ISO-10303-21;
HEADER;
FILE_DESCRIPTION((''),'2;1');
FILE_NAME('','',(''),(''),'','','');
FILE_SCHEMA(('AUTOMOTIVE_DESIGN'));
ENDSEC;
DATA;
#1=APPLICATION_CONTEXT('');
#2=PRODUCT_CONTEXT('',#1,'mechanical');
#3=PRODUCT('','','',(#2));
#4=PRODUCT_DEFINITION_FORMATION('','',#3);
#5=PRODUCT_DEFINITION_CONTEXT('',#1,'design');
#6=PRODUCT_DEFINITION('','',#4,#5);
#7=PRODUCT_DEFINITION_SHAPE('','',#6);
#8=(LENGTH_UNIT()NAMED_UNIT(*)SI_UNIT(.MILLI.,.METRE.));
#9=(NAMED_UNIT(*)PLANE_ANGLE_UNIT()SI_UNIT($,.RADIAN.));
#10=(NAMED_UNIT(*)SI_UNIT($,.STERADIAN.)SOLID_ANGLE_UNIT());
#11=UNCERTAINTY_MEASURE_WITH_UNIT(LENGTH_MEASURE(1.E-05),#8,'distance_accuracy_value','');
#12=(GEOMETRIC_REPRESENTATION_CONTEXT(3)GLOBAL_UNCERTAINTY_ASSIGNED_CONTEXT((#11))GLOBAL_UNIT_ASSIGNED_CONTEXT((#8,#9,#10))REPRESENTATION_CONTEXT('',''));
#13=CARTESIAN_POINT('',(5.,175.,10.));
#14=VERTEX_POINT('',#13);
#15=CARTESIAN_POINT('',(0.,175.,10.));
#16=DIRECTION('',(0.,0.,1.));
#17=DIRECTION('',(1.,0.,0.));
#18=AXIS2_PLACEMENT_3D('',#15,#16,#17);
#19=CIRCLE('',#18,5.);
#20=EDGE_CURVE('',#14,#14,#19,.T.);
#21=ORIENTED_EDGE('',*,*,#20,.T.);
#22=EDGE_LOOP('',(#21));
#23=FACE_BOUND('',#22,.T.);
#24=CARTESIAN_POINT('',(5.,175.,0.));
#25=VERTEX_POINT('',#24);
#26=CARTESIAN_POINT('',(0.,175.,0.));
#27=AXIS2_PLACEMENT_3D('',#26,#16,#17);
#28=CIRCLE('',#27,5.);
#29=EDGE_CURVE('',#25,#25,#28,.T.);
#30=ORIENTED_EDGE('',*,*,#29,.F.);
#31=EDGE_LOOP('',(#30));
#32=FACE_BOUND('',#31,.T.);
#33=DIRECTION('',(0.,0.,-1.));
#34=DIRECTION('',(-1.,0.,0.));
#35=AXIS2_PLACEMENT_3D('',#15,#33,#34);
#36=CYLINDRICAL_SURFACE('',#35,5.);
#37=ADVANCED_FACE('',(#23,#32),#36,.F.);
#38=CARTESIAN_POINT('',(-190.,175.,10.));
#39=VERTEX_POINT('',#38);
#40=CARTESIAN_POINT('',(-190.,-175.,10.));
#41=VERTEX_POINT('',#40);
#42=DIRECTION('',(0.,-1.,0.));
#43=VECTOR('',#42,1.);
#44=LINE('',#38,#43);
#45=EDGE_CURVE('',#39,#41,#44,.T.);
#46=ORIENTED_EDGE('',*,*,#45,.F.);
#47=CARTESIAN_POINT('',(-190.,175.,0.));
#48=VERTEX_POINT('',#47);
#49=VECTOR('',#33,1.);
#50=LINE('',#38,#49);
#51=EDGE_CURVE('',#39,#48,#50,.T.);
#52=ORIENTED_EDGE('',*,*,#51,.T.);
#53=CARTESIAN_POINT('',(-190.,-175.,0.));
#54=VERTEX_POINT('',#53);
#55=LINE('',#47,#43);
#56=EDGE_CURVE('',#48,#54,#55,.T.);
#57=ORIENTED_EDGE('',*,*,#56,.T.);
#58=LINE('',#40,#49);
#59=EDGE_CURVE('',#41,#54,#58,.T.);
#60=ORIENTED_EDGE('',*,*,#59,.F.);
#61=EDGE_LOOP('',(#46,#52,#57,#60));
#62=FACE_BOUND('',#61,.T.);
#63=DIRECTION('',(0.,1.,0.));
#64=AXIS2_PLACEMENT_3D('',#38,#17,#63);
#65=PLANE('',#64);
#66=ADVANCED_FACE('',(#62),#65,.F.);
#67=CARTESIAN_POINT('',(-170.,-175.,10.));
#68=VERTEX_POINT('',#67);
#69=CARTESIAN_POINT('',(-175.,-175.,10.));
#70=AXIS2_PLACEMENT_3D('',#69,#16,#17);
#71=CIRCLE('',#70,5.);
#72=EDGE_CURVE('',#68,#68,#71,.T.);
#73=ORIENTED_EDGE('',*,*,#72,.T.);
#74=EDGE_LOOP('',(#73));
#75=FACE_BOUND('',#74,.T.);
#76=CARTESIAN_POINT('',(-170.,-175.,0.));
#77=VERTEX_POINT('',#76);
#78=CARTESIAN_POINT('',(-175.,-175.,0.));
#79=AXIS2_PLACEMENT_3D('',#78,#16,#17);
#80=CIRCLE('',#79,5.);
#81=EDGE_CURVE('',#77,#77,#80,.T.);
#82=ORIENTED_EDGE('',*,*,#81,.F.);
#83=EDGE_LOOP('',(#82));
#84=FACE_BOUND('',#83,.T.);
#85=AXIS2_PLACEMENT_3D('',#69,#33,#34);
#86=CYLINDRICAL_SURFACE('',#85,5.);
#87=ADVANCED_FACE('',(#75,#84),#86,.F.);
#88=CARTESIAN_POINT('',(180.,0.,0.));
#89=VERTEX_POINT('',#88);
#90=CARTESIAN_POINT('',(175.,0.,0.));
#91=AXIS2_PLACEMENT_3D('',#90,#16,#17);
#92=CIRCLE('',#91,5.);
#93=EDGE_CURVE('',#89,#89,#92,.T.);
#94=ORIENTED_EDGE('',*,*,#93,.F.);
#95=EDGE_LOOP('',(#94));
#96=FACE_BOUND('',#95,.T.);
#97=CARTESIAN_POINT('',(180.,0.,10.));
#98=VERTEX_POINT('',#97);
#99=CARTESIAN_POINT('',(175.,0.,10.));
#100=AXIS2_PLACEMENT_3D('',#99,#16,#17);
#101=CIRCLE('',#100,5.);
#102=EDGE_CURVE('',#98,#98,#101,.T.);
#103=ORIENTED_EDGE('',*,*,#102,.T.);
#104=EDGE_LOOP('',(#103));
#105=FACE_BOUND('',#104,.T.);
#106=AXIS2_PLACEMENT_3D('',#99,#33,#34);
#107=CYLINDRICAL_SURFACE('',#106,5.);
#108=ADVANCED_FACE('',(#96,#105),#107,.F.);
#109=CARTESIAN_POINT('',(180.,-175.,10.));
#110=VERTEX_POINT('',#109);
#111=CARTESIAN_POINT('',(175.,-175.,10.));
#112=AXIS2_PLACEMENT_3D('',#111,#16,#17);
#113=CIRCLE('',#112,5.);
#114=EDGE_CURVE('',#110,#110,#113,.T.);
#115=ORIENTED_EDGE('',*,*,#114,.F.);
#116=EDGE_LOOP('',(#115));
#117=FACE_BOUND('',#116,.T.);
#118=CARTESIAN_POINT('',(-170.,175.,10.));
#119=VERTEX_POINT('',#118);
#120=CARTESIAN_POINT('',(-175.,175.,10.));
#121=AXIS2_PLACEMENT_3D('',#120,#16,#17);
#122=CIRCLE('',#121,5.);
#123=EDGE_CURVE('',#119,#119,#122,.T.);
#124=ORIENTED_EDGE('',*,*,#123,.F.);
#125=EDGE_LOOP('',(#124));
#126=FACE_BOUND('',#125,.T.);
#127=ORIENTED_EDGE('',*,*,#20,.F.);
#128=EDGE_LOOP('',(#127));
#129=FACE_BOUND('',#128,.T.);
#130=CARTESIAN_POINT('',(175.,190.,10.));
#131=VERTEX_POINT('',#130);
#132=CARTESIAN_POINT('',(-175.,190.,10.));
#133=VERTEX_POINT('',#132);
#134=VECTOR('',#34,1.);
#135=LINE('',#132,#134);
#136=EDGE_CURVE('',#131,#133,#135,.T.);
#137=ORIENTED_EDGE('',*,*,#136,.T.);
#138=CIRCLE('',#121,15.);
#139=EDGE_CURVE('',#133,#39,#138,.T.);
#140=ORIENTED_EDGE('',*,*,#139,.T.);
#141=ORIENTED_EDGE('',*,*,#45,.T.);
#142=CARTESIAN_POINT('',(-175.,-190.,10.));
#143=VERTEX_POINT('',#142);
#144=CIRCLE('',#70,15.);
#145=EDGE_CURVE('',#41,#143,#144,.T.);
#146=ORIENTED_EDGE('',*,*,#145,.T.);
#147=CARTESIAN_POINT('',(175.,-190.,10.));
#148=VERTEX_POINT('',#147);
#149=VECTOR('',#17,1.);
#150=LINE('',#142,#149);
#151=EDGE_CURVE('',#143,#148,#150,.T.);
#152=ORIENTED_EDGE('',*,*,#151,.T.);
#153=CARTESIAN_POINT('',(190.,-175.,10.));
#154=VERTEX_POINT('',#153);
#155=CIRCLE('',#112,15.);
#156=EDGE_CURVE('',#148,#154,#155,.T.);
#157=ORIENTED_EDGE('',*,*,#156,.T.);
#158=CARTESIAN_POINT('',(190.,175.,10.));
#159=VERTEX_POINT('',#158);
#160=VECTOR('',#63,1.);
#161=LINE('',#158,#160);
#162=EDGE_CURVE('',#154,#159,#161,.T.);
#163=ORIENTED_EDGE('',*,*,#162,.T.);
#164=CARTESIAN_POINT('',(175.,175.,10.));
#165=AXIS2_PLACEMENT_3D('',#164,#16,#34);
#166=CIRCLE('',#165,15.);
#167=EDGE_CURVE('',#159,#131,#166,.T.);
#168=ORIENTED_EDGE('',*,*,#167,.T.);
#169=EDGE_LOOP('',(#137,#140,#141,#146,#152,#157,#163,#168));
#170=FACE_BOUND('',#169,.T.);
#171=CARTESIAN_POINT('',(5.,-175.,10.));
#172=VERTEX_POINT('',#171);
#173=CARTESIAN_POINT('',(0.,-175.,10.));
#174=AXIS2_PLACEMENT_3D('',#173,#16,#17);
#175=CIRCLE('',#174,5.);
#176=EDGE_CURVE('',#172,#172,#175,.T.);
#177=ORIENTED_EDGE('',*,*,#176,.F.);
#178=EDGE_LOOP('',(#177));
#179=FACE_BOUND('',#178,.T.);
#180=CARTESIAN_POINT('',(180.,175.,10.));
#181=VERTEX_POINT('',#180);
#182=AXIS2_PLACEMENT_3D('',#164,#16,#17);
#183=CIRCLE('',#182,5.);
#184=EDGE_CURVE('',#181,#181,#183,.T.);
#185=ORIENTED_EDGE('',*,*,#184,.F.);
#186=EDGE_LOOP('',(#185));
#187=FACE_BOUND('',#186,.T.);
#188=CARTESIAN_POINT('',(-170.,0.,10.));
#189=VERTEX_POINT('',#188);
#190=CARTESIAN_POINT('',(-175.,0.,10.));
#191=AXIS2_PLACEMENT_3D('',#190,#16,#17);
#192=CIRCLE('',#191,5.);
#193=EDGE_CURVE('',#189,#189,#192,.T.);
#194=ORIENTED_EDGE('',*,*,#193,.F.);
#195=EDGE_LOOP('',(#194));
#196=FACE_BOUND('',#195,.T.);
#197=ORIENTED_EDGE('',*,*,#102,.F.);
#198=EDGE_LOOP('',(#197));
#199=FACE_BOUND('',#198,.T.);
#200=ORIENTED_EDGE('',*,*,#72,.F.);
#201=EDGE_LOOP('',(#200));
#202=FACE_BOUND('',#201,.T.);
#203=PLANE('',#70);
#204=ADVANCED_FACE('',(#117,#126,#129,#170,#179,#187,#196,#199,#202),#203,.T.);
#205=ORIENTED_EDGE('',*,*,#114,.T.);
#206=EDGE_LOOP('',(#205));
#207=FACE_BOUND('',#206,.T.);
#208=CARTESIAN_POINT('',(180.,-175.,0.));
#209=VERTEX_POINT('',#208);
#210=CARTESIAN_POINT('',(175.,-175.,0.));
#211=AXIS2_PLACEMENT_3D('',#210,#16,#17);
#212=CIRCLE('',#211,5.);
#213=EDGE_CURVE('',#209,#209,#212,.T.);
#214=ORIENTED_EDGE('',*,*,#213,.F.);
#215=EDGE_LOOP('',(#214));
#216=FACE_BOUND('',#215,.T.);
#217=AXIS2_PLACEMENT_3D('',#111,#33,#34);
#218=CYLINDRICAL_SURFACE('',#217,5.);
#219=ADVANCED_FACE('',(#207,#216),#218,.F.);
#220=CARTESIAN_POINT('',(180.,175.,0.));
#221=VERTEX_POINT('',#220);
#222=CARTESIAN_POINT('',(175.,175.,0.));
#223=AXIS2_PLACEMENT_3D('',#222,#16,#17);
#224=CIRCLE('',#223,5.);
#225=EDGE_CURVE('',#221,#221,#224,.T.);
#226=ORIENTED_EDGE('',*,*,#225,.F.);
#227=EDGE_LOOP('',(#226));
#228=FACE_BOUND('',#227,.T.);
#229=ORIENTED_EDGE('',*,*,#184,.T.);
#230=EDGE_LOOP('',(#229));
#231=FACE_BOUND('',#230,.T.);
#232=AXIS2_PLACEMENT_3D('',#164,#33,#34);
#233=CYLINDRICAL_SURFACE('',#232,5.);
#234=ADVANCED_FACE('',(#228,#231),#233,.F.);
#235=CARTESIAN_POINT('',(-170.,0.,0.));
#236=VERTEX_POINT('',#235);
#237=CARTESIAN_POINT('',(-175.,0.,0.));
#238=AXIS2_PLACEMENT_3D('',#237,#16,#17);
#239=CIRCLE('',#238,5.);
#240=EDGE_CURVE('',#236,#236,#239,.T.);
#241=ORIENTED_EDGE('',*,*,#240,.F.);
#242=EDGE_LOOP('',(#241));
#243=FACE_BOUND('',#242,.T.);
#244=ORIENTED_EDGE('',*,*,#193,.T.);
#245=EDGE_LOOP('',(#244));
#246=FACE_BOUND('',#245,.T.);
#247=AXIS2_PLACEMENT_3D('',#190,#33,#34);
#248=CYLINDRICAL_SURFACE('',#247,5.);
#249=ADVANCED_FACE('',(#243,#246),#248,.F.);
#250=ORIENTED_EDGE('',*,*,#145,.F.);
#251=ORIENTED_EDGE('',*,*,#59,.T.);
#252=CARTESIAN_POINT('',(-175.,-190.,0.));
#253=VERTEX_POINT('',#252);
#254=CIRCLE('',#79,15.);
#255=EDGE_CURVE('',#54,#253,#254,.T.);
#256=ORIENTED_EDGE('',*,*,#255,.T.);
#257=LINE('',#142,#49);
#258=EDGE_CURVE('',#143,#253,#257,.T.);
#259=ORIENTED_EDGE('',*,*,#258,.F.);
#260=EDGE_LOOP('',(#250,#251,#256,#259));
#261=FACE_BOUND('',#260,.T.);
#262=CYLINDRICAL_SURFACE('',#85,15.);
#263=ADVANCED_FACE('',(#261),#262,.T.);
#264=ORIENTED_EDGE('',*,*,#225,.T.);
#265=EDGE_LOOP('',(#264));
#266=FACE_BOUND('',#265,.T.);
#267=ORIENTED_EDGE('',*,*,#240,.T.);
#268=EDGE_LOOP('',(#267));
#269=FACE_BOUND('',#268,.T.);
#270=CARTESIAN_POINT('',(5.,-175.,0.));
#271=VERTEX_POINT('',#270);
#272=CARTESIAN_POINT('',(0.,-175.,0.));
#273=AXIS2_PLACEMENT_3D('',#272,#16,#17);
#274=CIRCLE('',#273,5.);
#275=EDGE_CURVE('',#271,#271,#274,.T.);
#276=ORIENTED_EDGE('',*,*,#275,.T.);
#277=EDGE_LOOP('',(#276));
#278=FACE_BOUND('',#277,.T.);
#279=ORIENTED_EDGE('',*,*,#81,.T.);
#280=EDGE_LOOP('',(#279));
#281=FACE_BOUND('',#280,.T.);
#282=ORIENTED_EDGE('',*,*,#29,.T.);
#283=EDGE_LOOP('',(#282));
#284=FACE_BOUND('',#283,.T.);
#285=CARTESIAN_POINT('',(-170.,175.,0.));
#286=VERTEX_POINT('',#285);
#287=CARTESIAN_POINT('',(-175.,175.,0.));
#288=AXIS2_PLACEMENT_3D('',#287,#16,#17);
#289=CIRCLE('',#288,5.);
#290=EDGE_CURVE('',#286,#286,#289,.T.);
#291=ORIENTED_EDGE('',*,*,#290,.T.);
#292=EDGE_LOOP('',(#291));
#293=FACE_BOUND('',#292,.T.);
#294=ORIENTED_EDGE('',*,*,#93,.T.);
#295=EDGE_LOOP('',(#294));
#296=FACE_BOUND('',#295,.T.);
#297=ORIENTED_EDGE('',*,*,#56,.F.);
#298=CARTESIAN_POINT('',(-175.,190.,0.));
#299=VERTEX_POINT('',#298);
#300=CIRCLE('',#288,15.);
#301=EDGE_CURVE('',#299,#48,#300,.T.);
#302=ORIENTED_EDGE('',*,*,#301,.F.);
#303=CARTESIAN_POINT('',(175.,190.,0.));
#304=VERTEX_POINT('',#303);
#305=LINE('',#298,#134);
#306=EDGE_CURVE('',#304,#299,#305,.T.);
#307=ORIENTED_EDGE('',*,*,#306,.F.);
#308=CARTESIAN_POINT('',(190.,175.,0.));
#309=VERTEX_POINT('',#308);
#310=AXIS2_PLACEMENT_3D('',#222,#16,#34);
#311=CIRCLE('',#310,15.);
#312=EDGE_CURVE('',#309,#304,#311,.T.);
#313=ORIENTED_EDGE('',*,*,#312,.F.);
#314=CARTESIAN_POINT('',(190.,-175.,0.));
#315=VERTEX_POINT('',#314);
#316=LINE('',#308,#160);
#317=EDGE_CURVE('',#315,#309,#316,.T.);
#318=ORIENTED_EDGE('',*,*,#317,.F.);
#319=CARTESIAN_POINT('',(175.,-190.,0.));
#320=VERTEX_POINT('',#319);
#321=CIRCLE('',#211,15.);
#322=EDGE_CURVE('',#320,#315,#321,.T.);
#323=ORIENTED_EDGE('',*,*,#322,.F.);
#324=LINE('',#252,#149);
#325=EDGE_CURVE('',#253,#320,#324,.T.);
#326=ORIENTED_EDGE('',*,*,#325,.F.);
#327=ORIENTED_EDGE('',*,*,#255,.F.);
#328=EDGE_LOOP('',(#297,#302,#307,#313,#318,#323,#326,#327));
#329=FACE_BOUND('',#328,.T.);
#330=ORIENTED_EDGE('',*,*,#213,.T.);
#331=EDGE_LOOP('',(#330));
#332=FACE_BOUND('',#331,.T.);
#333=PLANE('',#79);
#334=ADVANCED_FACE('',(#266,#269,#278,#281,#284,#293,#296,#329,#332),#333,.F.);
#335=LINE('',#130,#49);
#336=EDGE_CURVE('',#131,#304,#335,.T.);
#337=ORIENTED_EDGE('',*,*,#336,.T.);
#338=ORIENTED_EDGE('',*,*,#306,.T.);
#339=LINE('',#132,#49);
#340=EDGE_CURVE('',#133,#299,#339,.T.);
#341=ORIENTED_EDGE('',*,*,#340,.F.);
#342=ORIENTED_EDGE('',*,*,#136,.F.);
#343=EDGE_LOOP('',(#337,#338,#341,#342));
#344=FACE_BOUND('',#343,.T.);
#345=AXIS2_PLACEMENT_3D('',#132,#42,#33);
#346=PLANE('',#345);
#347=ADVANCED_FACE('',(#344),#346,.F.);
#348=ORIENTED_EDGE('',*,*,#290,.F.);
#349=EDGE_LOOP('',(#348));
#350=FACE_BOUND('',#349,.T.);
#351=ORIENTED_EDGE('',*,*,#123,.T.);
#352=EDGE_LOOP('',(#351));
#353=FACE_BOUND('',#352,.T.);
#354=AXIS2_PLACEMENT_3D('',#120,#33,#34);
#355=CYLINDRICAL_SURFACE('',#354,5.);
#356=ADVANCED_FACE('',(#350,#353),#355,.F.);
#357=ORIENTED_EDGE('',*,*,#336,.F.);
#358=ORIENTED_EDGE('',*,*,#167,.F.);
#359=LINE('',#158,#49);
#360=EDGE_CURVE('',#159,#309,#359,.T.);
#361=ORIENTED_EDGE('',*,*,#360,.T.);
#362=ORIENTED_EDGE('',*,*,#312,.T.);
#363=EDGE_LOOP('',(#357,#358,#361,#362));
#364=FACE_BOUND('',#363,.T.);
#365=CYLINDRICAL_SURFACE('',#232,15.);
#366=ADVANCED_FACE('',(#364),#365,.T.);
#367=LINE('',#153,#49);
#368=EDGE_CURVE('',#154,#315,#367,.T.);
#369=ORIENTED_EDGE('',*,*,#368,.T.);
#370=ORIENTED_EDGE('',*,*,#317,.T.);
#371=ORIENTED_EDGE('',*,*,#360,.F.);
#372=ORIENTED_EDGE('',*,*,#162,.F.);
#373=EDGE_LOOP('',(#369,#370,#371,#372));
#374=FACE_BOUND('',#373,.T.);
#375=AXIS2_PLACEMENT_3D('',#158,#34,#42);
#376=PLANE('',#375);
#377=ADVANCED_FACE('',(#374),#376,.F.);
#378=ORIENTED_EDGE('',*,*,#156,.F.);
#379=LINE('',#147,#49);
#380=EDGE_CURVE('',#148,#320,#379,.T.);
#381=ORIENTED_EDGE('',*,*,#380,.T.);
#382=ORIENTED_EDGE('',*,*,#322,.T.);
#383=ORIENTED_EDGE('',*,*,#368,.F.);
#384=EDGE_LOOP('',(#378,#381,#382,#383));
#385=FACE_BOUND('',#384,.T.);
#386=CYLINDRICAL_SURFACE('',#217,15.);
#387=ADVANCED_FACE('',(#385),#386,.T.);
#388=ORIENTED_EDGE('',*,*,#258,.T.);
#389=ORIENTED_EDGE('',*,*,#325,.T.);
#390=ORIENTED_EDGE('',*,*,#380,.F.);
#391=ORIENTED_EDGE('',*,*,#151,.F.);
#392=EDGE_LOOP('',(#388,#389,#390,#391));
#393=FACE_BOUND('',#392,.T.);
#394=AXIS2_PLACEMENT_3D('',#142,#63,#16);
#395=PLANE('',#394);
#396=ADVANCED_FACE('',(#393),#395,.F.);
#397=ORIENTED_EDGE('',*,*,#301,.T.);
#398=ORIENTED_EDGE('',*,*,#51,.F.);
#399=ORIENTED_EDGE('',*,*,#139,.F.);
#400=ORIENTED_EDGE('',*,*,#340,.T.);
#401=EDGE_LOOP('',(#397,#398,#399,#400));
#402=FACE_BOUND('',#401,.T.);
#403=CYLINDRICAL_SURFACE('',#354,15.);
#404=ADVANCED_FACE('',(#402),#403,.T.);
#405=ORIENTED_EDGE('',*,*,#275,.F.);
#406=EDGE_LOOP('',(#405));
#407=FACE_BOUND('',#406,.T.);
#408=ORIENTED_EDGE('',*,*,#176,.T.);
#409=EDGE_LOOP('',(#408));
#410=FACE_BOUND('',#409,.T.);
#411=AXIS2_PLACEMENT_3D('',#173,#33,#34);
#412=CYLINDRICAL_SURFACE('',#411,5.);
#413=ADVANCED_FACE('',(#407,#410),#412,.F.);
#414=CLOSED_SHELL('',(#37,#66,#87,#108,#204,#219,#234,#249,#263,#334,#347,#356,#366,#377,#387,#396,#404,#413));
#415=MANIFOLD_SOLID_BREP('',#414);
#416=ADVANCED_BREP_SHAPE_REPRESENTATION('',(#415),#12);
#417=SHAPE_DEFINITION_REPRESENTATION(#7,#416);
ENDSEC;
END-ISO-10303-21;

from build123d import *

# Parameters (mm, degrees)
SKETCH2_R           = 5
BOSS_EXTRUDE1_DEPTH = 10


with BuildPart() as part:
    # Sketch2 → Boss-Extrude1 (new body)
    with BuildSketch(Plane.XY):
        with BuildLine():
            Line((-175, 190), (175, 190))
            ThreePointArc((175, 190), (185.606601718, 185.606601718), (190, 175))
            Line((190, 175), (190, -175))
            ThreePointArc((190, -175), (185.606601718, -185.606601718), (175, -190))
            Line((175, -190), (-175, -190))
            ThreePointArc((-175, -190), (-185.606601718, -185.606601718), (-190, -175))
            Line((-190, -175), (-190, 175))
            ThreePointArc((-190, 175), (-185.606601718, 185.606601718), (-175, 190))
        make_face()
        with Locations((-175, 175)):
            Circle(SKETCH2_R, mode=Mode.SUBTRACT)
        with Locations((0, 175)):
            Circle(SKETCH2_R, mode=Mode.SUBTRACT)
        with Locations((175, 175)):
            Circle(SKETCH2_R, mode=Mode.SUBTRACT)
        with Locations((175, 0)):
            Circle(SKETCH2_R, mode=Mode.SUBTRACT)
        with Locations((-175, 0)):
            Circle(SKETCH2_R, mode=Mode.SUBTRACT)
        with Locations((-175, -175)):
            Circle(SKETCH2_R, mode=Mode.SUBTRACT)
        with Locations((0, -175)):
            Circle(SKETCH2_R, mode=Mode.SUBTRACT)
        with Locations((175, -175)):
            Circle(SKETCH2_R, mode=Mode.SUBTRACT)
    extrude(amount=BOSS_EXTRUDE1_DEPTH)


solid = part.part
